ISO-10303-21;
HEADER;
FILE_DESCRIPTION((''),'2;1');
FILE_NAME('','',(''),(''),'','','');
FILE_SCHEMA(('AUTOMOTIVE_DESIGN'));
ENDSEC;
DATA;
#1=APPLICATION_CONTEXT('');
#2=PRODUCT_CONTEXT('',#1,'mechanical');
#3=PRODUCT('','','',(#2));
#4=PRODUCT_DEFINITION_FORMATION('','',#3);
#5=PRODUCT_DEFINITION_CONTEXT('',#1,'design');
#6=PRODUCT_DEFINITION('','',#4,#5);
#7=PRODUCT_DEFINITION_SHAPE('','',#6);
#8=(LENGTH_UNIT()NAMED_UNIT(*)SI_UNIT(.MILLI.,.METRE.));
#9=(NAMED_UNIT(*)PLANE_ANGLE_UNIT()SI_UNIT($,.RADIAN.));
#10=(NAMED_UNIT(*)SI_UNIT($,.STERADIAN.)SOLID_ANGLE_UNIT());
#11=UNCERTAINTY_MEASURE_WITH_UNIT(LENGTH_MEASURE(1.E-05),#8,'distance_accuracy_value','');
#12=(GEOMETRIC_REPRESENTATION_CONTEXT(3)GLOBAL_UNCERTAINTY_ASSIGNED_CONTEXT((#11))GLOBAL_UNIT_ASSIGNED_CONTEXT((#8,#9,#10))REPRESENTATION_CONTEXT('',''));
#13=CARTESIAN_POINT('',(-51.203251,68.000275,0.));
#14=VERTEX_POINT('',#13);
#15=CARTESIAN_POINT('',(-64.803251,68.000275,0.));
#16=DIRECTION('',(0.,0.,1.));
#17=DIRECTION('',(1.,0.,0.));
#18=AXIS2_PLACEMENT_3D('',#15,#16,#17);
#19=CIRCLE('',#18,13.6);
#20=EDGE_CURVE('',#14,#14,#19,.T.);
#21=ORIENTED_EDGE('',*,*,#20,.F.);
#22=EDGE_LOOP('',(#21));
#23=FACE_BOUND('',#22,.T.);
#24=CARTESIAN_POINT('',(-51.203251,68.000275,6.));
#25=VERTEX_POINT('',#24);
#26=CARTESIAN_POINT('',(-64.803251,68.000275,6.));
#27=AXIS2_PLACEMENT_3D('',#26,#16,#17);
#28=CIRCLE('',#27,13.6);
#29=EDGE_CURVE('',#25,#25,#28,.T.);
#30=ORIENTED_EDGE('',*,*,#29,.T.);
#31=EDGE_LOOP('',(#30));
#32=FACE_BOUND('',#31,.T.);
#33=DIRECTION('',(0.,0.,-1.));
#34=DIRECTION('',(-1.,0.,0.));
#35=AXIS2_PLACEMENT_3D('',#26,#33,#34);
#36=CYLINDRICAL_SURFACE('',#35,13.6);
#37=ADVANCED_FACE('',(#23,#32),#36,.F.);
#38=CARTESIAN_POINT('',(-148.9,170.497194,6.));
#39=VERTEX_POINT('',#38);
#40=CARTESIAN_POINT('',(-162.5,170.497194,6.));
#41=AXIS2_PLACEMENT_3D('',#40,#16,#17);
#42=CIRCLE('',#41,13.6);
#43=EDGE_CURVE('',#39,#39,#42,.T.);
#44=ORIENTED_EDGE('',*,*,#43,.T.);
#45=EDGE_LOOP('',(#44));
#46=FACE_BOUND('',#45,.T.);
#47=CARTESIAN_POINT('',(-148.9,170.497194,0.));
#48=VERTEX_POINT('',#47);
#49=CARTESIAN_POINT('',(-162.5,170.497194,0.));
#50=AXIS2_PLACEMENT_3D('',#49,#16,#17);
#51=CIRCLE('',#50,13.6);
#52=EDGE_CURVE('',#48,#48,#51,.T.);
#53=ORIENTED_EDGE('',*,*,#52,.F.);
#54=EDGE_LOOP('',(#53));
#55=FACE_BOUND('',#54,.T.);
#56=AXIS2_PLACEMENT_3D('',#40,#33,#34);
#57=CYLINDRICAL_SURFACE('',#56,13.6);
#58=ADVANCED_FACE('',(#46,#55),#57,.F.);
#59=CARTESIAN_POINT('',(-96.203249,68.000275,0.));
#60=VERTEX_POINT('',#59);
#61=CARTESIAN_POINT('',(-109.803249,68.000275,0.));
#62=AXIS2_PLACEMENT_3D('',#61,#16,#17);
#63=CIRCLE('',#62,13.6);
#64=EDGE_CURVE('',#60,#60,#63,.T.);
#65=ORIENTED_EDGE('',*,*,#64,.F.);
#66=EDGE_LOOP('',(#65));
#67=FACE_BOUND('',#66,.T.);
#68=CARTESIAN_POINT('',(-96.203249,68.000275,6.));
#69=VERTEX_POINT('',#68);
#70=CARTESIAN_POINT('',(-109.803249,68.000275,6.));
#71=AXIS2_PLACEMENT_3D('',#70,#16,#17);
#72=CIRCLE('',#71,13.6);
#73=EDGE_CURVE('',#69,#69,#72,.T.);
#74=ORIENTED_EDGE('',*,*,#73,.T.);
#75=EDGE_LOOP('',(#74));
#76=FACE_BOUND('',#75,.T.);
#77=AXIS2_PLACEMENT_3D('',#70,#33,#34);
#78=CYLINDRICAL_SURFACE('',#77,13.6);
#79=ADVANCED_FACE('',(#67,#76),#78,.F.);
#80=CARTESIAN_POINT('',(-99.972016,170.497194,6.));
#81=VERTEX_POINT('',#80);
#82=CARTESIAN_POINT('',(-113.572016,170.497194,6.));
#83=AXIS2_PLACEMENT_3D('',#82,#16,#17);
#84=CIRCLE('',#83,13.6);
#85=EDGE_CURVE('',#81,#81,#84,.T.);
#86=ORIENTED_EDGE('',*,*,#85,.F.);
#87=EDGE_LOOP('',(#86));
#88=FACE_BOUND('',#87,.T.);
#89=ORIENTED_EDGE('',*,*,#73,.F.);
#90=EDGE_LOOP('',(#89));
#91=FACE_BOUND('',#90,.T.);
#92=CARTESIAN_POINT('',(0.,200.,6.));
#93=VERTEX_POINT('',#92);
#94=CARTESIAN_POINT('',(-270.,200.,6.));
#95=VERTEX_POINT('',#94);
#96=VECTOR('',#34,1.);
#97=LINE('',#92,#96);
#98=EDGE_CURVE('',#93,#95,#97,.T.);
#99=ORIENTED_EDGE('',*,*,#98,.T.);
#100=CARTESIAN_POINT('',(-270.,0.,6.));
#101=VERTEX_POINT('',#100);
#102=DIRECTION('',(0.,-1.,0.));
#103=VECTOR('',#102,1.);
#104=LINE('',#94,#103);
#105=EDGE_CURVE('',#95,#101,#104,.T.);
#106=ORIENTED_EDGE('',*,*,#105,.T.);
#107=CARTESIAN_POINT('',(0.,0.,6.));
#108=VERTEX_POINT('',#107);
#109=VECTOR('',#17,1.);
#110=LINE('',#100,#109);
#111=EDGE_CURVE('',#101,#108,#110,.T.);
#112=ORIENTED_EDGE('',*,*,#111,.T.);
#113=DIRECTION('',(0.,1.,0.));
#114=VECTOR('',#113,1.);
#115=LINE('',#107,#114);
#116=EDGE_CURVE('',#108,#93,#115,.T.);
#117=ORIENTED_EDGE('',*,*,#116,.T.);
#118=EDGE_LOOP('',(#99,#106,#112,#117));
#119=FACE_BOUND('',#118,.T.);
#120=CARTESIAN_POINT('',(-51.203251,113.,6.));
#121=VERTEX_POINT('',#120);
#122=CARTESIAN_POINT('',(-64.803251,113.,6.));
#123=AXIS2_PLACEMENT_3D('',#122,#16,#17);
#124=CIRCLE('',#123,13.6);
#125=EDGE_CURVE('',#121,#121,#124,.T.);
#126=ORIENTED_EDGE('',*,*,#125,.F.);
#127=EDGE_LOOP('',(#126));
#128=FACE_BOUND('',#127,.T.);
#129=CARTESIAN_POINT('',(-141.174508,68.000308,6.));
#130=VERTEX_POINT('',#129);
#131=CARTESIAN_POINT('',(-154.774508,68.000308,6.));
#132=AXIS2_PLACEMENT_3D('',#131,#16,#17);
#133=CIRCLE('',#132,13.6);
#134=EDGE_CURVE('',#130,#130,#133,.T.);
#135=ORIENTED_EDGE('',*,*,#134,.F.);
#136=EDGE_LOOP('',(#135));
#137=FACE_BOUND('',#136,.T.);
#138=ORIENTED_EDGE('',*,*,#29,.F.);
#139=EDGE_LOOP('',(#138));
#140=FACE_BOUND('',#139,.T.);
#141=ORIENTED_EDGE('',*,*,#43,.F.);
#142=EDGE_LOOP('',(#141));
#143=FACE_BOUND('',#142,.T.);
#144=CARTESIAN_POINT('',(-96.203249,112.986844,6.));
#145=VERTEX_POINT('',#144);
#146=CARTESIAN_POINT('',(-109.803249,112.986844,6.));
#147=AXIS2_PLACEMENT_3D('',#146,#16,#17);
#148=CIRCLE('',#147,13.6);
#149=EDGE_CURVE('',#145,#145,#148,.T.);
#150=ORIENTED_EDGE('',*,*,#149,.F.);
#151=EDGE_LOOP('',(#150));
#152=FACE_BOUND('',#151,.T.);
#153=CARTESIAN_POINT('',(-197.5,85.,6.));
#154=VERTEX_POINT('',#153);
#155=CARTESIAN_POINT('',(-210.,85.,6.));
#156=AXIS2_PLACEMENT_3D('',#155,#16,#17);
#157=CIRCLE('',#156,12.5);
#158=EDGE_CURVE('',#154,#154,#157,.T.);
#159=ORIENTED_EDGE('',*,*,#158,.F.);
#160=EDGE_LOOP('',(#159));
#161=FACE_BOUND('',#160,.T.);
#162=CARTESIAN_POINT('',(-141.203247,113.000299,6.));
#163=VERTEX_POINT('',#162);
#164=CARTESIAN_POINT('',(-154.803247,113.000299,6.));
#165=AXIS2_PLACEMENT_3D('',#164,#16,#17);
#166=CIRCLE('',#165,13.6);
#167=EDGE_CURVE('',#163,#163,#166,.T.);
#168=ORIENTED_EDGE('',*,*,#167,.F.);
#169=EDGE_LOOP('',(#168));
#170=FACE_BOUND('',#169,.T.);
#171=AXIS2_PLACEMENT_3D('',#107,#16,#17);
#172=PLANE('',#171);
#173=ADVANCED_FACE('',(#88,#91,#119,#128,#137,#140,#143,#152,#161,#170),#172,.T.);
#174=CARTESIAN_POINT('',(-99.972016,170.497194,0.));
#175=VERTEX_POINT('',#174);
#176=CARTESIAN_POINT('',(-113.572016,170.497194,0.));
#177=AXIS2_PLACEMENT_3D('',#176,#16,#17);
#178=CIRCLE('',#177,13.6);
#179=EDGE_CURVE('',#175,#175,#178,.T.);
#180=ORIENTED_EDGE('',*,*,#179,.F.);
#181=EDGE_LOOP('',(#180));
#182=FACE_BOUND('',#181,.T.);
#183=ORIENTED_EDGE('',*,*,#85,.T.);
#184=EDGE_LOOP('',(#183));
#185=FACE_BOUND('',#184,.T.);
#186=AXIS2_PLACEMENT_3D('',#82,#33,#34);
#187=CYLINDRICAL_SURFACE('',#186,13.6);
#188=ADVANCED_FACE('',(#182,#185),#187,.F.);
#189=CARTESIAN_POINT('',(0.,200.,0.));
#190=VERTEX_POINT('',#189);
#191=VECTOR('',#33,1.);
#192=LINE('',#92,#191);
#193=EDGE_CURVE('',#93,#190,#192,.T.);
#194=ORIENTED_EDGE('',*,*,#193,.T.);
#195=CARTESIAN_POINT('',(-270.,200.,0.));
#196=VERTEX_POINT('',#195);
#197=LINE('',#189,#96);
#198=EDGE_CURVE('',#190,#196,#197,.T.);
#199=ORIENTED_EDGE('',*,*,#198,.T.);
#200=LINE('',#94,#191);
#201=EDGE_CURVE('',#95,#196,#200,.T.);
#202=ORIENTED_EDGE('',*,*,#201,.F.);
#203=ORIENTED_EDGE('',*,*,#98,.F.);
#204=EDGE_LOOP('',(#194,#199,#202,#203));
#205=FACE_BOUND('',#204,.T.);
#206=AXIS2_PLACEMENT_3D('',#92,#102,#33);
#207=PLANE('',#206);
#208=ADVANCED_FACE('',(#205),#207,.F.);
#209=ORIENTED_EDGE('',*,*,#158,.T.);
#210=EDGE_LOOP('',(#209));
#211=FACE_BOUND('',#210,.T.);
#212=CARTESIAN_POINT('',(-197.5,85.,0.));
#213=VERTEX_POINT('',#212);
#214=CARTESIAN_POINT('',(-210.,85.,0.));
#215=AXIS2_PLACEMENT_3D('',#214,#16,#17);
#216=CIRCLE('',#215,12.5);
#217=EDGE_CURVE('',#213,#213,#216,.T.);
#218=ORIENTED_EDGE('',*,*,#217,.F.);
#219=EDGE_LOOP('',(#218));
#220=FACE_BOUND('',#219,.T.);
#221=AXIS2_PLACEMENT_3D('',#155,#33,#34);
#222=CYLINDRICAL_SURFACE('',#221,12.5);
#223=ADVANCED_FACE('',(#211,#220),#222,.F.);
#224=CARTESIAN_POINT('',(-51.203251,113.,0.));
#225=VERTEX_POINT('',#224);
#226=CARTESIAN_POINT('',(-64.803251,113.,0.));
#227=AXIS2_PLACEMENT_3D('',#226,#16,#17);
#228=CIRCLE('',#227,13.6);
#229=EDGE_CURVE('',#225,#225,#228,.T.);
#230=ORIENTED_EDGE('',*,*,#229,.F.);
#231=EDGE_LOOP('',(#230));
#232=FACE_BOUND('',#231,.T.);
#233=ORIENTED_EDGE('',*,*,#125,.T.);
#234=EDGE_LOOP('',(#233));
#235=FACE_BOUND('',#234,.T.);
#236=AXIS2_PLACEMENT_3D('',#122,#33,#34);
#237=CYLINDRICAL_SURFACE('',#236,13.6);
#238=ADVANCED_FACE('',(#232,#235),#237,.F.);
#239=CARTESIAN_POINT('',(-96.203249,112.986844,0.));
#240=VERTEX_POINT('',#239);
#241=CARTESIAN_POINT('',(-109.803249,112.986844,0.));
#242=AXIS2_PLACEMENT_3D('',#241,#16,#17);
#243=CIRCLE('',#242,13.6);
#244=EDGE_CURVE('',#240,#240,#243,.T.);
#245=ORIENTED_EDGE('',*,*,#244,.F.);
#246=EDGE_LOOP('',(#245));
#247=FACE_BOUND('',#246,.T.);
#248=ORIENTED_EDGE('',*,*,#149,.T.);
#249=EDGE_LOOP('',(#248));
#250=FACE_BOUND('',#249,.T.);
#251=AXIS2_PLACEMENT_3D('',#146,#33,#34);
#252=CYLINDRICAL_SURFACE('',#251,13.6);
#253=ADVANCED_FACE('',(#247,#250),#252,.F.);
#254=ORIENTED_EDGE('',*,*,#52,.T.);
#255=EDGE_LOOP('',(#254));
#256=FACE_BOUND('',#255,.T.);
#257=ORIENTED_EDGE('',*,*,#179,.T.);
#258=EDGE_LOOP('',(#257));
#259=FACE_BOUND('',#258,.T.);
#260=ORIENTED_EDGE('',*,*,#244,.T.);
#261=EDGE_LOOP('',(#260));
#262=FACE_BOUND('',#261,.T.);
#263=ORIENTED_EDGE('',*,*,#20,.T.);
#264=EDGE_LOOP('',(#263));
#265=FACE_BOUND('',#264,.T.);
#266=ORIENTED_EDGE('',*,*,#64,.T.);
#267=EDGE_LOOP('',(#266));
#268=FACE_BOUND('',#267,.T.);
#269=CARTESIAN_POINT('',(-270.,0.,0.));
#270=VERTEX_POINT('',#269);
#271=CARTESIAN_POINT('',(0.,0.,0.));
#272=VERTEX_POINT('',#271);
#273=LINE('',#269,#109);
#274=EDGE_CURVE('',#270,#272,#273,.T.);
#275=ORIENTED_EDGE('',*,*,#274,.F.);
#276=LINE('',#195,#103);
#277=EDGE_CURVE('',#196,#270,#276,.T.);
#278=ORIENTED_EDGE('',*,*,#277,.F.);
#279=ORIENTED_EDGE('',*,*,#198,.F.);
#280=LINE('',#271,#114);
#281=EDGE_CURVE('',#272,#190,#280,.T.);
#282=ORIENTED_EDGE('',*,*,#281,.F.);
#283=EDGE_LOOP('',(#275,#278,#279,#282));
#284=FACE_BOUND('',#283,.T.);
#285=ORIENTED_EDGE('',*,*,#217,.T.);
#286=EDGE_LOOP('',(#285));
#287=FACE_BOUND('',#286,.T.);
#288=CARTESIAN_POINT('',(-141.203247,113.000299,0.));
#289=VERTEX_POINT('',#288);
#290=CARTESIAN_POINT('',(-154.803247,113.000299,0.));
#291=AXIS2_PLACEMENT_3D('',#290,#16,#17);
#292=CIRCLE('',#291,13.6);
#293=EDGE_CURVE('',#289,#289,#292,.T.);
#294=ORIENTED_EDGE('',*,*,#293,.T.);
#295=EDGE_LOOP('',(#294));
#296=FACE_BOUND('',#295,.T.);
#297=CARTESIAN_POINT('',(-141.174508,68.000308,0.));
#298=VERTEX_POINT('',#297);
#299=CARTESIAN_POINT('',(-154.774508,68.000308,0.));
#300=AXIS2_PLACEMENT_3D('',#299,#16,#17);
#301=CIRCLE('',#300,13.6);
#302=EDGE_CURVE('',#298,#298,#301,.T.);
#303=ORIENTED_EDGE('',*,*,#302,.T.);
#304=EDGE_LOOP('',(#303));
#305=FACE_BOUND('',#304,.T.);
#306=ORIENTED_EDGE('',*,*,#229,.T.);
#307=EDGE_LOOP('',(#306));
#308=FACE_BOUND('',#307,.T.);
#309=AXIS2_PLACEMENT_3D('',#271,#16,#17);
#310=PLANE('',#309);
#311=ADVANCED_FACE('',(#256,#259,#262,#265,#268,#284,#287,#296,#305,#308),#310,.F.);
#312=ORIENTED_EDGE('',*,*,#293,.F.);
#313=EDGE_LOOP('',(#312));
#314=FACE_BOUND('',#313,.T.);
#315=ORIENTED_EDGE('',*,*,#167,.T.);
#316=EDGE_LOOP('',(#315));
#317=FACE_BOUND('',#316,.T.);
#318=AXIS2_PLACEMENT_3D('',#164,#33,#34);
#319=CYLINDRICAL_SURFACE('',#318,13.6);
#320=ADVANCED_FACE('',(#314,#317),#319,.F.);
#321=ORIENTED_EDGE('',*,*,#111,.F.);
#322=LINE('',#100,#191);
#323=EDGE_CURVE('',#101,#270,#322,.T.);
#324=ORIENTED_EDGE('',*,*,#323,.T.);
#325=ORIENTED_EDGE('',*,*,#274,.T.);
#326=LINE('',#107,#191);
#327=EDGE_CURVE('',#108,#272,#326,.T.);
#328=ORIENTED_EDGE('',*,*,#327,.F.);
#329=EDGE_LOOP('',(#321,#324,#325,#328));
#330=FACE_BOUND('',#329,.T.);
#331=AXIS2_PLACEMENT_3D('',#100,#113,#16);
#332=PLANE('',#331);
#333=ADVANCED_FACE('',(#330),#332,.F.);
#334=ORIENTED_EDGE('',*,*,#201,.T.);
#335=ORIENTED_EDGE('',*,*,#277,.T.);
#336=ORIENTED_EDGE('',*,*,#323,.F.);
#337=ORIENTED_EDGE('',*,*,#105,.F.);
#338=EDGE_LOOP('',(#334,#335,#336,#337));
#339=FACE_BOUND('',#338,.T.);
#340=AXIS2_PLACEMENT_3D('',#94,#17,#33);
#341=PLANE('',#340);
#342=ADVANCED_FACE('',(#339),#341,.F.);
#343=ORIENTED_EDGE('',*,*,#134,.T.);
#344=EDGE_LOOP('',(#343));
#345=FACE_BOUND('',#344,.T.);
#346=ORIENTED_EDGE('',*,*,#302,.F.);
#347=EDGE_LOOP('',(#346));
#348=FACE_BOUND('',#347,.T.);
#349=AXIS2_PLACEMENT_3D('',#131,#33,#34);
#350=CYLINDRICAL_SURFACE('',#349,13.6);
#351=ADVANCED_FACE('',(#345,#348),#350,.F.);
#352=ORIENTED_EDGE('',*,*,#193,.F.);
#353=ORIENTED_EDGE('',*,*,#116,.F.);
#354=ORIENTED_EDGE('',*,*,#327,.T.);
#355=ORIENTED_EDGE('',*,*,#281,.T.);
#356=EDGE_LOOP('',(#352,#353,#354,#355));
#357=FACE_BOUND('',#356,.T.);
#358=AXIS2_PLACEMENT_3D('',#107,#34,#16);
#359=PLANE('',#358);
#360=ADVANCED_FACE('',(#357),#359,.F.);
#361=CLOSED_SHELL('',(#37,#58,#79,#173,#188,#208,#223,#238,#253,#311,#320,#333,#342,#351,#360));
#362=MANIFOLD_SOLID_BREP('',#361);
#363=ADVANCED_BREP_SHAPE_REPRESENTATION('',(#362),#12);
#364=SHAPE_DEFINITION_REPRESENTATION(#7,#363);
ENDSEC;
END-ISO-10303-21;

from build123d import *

# Parameters (mm, degrees)
ESBO_O1_W                = 270
ESBO_O1_H                = 200
ESBO_O1_R                = 12.5
ESBO_O1_R_2              = 13.6
RESSALTO_EXTRUS_O1_DEPTH = 6


with BuildPart() as part:
    # Esboço1 → Ressalto-extrusão1 (new body)
    with BuildSketch(Plane.XY):
        with Locations((-135, 100)):
            Rectangle(ESBO_O1_W, ESBO_O1_H)
        with Locations((-210, 85)):
            Circle(ESBO_O1_R, mode=Mode.SUBTRACT)
        with Locations((-154.803247065, 113.000298981)):
            Circle(ESBO_O1_R_2, mode=Mode.SUBTRACT)
        with Locations((-109.803249077, 112.986844303)):
            Circle(ESBO_O1_R_2, mode=Mode.SUBTRACT)
        with Locations((-64.803251, 113)):
            Circle(ESBO_O1_R_2, mode=Mode.SUBTRACT)
        with Locations((-154.774507715, 68.000308159)):
            Circle(ESBO_O1_R_2, mode=Mode.SUBTRACT)
        with Locations((-109.803249077, 68.000274939)):
            Circle(ESBO_O1_R_2, mode=Mode.SUBTRACT)
        with Locations((-64.803251, 68.000274939)):
            Circle(ESBO_O1_R_2, mode=Mode.SUBTRACT)
        with Locations((-162.5, 170.497194253)):
            Circle(ESBO_O1_R_2, mode=Mode.SUBTRACT)
        with Locations((-113.5720157, 170.497194253)):
            Circle(ESBO_O1_R_2, mode=Mode.SUBTRACT)
    extrude(amount=RESSALTO_EXTRUS_O1_DEPTH)


solid = part.part
